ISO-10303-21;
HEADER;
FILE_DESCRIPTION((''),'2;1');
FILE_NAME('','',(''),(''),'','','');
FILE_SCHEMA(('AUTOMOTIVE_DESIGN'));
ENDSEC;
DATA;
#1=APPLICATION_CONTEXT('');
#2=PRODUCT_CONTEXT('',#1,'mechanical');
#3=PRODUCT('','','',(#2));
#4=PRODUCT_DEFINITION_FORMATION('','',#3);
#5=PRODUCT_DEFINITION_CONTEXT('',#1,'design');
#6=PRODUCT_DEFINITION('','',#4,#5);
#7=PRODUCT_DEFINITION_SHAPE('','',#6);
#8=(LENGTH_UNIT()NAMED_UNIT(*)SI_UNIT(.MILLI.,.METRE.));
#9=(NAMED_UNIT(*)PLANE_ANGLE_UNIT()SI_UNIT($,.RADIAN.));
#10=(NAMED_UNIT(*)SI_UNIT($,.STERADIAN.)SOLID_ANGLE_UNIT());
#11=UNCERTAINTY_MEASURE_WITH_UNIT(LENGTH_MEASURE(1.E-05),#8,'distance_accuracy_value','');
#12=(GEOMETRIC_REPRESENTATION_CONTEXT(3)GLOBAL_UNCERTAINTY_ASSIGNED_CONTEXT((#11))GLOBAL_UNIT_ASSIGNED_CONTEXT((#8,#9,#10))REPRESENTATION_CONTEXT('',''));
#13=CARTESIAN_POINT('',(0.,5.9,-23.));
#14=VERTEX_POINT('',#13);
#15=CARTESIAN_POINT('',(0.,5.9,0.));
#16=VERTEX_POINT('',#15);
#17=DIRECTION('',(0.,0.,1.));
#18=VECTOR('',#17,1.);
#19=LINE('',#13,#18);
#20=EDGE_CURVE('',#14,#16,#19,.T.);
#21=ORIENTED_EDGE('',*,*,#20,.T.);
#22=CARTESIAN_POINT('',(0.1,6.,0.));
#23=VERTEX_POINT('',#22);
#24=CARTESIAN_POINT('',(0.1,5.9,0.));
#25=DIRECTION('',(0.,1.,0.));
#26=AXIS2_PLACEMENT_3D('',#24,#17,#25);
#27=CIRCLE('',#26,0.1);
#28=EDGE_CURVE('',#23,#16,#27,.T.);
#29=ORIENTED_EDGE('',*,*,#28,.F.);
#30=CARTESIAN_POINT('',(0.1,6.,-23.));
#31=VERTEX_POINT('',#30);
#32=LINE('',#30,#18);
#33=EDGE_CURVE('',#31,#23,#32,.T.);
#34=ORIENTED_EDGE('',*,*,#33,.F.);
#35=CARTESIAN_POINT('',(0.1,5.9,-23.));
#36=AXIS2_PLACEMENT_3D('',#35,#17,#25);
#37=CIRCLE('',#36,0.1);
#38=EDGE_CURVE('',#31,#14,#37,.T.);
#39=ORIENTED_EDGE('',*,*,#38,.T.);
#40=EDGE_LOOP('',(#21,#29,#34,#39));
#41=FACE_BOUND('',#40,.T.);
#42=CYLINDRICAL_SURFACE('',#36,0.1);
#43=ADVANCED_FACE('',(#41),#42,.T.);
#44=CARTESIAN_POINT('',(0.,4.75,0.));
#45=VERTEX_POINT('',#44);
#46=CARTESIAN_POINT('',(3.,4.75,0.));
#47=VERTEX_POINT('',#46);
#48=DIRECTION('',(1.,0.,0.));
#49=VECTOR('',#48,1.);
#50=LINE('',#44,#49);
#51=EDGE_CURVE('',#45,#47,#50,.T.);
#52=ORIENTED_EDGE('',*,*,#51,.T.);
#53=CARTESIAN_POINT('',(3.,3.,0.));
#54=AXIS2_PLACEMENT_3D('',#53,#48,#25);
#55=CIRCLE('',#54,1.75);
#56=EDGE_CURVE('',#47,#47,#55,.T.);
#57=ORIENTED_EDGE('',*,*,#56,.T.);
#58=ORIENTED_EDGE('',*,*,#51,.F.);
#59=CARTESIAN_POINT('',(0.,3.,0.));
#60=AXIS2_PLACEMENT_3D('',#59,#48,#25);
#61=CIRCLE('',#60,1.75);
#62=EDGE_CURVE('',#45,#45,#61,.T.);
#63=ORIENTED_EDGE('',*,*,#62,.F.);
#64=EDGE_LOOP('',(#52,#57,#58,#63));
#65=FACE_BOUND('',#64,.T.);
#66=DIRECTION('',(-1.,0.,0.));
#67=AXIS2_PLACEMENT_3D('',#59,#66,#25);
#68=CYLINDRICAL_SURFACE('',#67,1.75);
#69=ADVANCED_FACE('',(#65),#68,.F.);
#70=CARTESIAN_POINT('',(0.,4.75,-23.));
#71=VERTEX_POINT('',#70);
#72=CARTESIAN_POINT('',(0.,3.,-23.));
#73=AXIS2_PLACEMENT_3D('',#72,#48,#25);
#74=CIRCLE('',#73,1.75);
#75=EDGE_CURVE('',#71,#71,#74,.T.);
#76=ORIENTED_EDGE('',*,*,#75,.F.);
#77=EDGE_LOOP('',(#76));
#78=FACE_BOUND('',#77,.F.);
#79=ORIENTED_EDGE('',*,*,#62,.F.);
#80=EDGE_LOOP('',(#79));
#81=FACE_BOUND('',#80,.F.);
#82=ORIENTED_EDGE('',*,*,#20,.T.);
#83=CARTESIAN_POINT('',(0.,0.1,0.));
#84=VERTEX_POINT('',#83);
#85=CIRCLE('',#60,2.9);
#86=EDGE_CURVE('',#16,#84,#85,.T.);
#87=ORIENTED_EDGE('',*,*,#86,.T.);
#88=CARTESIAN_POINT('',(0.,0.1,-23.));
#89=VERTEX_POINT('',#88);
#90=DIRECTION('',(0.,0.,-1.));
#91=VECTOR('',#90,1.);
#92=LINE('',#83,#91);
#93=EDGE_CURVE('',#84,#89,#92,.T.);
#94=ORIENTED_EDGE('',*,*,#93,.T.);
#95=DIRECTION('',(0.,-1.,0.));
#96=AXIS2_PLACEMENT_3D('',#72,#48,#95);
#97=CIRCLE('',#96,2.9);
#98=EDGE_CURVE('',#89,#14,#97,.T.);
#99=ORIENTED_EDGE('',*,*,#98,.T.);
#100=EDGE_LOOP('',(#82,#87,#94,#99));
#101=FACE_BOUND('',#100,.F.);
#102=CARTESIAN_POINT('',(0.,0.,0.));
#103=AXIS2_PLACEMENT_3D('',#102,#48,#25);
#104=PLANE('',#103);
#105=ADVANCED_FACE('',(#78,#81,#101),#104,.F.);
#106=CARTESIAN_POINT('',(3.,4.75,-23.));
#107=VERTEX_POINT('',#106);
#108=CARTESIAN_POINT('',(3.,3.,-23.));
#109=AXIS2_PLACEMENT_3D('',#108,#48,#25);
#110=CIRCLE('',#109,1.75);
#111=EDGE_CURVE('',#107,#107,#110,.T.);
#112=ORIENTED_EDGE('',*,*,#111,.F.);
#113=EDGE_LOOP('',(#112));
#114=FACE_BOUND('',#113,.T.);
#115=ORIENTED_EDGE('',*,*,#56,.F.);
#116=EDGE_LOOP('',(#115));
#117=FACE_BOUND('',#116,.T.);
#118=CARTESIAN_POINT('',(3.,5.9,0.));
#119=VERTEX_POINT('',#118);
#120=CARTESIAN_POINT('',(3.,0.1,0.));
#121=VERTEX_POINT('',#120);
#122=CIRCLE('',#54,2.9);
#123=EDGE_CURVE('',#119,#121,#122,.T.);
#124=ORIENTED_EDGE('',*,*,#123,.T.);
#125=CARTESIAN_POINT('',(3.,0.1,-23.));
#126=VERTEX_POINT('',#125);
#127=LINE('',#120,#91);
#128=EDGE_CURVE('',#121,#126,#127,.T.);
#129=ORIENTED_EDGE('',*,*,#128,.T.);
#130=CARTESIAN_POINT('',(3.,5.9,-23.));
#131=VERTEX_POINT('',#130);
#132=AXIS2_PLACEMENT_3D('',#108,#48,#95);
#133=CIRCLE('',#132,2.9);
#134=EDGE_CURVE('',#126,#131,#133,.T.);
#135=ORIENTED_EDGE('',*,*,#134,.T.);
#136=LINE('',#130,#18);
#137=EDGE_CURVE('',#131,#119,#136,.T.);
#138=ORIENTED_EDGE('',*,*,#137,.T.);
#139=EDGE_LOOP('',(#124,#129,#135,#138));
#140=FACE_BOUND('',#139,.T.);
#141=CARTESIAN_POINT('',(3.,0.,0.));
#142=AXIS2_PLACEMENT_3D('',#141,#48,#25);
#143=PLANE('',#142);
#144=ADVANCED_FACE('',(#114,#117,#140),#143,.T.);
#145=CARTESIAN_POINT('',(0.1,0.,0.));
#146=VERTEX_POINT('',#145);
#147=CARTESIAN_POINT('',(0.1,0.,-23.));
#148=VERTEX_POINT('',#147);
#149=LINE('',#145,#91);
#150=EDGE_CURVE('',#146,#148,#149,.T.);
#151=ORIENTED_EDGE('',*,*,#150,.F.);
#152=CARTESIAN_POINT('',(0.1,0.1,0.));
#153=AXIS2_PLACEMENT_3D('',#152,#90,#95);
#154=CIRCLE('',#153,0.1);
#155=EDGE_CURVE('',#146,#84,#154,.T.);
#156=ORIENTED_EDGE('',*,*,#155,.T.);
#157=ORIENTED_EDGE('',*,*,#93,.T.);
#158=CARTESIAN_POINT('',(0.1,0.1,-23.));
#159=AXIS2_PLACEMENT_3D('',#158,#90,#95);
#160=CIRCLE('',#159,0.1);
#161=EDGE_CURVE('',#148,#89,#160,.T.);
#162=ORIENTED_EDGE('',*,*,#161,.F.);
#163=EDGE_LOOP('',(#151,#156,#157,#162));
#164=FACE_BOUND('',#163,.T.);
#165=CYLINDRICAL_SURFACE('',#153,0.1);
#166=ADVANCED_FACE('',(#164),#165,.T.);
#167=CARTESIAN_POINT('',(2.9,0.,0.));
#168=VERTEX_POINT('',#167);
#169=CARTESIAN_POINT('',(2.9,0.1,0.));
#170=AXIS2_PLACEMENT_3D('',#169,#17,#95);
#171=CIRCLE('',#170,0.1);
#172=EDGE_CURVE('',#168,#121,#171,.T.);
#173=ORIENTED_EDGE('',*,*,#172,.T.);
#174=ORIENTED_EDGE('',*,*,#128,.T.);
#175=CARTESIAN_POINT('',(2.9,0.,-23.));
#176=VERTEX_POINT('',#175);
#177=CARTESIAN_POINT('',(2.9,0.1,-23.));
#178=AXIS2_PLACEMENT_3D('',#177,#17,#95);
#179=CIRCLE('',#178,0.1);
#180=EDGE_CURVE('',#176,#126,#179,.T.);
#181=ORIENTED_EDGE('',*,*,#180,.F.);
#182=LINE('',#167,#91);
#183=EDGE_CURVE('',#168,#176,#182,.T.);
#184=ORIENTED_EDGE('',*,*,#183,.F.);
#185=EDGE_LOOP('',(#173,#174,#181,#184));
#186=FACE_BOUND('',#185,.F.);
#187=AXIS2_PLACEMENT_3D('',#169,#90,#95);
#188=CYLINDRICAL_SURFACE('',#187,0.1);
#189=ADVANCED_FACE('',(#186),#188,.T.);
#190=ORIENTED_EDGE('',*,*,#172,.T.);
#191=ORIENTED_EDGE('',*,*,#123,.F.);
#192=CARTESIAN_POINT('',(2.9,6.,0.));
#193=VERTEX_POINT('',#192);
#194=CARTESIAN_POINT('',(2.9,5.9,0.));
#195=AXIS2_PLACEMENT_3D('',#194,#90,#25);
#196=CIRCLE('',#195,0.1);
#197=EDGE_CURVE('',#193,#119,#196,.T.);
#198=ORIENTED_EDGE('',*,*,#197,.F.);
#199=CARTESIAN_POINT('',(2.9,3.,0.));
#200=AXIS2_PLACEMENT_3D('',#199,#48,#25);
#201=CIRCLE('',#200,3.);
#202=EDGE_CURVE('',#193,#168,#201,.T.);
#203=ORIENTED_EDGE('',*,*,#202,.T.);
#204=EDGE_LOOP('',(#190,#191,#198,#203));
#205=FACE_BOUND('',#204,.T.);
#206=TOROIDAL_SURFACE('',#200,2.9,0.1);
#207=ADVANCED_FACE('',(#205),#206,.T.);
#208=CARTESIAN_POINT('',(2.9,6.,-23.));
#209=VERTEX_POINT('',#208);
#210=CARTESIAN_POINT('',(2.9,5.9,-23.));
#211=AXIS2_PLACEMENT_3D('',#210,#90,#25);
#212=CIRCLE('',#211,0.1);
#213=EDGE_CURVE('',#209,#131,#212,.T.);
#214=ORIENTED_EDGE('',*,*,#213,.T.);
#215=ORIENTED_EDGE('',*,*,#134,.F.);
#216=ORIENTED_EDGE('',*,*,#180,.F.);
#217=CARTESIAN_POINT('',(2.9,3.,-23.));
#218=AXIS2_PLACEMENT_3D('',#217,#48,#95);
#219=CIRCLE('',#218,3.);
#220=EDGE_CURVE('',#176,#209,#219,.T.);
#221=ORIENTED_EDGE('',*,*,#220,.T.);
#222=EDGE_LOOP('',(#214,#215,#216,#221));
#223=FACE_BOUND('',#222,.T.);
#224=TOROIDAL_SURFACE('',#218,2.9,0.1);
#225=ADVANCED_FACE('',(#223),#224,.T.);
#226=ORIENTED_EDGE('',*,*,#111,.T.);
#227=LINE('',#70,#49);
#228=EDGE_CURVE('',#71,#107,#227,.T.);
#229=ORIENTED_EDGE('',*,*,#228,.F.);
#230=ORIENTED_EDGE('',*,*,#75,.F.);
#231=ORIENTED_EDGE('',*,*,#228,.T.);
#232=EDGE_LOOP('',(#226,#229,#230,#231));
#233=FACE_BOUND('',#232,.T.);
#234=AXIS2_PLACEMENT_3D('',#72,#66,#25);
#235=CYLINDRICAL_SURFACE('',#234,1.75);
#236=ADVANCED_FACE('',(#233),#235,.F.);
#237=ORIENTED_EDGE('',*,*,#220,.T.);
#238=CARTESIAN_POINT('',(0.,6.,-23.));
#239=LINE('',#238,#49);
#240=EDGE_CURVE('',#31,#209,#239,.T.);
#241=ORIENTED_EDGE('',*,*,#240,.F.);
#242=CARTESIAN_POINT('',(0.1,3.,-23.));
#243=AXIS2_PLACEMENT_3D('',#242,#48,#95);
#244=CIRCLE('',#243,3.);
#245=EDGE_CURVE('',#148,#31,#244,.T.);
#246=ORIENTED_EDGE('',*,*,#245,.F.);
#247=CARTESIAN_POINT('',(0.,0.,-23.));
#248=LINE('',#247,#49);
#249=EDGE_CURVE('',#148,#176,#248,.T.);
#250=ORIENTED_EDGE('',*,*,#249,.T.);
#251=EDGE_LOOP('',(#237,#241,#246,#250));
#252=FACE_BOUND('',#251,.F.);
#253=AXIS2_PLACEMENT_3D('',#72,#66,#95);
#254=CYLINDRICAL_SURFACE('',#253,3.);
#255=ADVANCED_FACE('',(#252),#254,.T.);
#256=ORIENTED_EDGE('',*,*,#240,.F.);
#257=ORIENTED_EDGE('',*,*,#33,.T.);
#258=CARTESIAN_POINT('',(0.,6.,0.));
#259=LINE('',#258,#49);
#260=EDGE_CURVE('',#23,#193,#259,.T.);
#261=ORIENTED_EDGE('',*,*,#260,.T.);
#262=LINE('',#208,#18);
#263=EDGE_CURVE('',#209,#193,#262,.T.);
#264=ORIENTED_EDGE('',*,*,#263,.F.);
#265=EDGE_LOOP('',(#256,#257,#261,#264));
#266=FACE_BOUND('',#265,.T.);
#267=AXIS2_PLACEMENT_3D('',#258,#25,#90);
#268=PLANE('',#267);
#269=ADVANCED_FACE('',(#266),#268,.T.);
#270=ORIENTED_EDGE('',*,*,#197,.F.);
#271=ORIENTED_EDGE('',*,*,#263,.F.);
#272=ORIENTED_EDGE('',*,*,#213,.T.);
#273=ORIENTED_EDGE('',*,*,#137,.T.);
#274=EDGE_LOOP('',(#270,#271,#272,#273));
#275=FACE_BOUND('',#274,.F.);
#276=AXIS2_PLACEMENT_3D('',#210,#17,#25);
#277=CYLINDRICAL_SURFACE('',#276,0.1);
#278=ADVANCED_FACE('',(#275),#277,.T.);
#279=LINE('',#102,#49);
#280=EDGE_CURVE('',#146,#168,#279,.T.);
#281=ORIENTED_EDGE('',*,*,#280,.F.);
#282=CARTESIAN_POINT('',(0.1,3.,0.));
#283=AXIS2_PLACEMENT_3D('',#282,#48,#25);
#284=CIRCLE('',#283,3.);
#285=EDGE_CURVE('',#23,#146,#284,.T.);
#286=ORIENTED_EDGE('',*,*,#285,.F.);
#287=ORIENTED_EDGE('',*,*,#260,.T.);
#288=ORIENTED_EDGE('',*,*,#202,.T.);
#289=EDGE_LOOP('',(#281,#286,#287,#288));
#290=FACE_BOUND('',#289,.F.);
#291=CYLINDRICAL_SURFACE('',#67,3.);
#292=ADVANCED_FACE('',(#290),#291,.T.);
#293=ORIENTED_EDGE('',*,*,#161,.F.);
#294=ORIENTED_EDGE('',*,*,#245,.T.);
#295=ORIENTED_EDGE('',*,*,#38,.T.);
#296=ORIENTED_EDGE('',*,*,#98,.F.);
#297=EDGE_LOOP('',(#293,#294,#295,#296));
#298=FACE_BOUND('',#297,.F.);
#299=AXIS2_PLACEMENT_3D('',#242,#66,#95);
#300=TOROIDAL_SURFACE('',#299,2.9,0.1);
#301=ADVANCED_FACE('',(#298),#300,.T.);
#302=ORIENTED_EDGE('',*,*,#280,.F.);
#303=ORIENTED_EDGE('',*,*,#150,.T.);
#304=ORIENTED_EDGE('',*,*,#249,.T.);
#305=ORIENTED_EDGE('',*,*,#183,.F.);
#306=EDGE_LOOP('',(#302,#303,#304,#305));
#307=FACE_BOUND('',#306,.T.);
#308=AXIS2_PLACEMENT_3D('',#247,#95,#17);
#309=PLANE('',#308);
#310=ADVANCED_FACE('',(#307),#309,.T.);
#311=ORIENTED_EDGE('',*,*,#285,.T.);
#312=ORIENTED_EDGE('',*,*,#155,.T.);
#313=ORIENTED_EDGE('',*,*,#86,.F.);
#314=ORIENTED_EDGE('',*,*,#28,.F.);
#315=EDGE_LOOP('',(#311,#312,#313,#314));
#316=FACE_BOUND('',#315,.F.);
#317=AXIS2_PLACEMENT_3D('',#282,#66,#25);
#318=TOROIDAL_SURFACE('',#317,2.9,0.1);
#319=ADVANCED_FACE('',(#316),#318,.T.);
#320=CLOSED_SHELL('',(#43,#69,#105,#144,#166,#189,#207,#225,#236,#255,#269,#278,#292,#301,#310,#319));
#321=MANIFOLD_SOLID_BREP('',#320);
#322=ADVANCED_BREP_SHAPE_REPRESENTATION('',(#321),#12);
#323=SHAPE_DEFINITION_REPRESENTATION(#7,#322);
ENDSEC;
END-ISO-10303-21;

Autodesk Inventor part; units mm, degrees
ref_plane "YZ Plane" through (0, 0, 0) normal (1, 0, 0) x (0, 1, 0)
ref_plane "XZ Plane" through (0, 0, 0) normal (0, 1, 0) x (-1, 0, 0)
ref_plane "XY Plane" through (0, 0, 0) normal (0, 0, 1) x (1, 0, 0)
sketch "Sketch1" plane through (0, 0, 0) normal (1, 0, 0) x (0, 1, 0)
  line L0 (6, 0) -> (6, -23)
  line L1 (0, -23) -> (0, 0)
  arc A0 (6, 0) -> (0, 0) centre (3, 0) ccw
  arc A1 (0, -23) -> (6, -23) centre (3, -23) ccw
  circle A2 centre (3, 0) radius 1.75
  circle A3 centre (3, -23) radius 1.75
  dimension "d0" = 6
  dimension "d1" = 23
  dimension "d2" = 3
  dimension "d3" = 3
  dimension "d4" = 3.5
  dimension "d5" = 3.5
extrude "Extrusion1" add sketch "Sketch1" along normal blind 3
fillet "Fillet1" radius 0.1 8 edges at (3, 3, 3) (3, 0, -11.5) (3, 3, -26) (3, 6, -11.5) (0, 3, 3) (0, 0, -11.5) (0, 3, -26) (0, 6, -11.5)
properties part number "Reverse Gear Drag Link" material "Copper"
